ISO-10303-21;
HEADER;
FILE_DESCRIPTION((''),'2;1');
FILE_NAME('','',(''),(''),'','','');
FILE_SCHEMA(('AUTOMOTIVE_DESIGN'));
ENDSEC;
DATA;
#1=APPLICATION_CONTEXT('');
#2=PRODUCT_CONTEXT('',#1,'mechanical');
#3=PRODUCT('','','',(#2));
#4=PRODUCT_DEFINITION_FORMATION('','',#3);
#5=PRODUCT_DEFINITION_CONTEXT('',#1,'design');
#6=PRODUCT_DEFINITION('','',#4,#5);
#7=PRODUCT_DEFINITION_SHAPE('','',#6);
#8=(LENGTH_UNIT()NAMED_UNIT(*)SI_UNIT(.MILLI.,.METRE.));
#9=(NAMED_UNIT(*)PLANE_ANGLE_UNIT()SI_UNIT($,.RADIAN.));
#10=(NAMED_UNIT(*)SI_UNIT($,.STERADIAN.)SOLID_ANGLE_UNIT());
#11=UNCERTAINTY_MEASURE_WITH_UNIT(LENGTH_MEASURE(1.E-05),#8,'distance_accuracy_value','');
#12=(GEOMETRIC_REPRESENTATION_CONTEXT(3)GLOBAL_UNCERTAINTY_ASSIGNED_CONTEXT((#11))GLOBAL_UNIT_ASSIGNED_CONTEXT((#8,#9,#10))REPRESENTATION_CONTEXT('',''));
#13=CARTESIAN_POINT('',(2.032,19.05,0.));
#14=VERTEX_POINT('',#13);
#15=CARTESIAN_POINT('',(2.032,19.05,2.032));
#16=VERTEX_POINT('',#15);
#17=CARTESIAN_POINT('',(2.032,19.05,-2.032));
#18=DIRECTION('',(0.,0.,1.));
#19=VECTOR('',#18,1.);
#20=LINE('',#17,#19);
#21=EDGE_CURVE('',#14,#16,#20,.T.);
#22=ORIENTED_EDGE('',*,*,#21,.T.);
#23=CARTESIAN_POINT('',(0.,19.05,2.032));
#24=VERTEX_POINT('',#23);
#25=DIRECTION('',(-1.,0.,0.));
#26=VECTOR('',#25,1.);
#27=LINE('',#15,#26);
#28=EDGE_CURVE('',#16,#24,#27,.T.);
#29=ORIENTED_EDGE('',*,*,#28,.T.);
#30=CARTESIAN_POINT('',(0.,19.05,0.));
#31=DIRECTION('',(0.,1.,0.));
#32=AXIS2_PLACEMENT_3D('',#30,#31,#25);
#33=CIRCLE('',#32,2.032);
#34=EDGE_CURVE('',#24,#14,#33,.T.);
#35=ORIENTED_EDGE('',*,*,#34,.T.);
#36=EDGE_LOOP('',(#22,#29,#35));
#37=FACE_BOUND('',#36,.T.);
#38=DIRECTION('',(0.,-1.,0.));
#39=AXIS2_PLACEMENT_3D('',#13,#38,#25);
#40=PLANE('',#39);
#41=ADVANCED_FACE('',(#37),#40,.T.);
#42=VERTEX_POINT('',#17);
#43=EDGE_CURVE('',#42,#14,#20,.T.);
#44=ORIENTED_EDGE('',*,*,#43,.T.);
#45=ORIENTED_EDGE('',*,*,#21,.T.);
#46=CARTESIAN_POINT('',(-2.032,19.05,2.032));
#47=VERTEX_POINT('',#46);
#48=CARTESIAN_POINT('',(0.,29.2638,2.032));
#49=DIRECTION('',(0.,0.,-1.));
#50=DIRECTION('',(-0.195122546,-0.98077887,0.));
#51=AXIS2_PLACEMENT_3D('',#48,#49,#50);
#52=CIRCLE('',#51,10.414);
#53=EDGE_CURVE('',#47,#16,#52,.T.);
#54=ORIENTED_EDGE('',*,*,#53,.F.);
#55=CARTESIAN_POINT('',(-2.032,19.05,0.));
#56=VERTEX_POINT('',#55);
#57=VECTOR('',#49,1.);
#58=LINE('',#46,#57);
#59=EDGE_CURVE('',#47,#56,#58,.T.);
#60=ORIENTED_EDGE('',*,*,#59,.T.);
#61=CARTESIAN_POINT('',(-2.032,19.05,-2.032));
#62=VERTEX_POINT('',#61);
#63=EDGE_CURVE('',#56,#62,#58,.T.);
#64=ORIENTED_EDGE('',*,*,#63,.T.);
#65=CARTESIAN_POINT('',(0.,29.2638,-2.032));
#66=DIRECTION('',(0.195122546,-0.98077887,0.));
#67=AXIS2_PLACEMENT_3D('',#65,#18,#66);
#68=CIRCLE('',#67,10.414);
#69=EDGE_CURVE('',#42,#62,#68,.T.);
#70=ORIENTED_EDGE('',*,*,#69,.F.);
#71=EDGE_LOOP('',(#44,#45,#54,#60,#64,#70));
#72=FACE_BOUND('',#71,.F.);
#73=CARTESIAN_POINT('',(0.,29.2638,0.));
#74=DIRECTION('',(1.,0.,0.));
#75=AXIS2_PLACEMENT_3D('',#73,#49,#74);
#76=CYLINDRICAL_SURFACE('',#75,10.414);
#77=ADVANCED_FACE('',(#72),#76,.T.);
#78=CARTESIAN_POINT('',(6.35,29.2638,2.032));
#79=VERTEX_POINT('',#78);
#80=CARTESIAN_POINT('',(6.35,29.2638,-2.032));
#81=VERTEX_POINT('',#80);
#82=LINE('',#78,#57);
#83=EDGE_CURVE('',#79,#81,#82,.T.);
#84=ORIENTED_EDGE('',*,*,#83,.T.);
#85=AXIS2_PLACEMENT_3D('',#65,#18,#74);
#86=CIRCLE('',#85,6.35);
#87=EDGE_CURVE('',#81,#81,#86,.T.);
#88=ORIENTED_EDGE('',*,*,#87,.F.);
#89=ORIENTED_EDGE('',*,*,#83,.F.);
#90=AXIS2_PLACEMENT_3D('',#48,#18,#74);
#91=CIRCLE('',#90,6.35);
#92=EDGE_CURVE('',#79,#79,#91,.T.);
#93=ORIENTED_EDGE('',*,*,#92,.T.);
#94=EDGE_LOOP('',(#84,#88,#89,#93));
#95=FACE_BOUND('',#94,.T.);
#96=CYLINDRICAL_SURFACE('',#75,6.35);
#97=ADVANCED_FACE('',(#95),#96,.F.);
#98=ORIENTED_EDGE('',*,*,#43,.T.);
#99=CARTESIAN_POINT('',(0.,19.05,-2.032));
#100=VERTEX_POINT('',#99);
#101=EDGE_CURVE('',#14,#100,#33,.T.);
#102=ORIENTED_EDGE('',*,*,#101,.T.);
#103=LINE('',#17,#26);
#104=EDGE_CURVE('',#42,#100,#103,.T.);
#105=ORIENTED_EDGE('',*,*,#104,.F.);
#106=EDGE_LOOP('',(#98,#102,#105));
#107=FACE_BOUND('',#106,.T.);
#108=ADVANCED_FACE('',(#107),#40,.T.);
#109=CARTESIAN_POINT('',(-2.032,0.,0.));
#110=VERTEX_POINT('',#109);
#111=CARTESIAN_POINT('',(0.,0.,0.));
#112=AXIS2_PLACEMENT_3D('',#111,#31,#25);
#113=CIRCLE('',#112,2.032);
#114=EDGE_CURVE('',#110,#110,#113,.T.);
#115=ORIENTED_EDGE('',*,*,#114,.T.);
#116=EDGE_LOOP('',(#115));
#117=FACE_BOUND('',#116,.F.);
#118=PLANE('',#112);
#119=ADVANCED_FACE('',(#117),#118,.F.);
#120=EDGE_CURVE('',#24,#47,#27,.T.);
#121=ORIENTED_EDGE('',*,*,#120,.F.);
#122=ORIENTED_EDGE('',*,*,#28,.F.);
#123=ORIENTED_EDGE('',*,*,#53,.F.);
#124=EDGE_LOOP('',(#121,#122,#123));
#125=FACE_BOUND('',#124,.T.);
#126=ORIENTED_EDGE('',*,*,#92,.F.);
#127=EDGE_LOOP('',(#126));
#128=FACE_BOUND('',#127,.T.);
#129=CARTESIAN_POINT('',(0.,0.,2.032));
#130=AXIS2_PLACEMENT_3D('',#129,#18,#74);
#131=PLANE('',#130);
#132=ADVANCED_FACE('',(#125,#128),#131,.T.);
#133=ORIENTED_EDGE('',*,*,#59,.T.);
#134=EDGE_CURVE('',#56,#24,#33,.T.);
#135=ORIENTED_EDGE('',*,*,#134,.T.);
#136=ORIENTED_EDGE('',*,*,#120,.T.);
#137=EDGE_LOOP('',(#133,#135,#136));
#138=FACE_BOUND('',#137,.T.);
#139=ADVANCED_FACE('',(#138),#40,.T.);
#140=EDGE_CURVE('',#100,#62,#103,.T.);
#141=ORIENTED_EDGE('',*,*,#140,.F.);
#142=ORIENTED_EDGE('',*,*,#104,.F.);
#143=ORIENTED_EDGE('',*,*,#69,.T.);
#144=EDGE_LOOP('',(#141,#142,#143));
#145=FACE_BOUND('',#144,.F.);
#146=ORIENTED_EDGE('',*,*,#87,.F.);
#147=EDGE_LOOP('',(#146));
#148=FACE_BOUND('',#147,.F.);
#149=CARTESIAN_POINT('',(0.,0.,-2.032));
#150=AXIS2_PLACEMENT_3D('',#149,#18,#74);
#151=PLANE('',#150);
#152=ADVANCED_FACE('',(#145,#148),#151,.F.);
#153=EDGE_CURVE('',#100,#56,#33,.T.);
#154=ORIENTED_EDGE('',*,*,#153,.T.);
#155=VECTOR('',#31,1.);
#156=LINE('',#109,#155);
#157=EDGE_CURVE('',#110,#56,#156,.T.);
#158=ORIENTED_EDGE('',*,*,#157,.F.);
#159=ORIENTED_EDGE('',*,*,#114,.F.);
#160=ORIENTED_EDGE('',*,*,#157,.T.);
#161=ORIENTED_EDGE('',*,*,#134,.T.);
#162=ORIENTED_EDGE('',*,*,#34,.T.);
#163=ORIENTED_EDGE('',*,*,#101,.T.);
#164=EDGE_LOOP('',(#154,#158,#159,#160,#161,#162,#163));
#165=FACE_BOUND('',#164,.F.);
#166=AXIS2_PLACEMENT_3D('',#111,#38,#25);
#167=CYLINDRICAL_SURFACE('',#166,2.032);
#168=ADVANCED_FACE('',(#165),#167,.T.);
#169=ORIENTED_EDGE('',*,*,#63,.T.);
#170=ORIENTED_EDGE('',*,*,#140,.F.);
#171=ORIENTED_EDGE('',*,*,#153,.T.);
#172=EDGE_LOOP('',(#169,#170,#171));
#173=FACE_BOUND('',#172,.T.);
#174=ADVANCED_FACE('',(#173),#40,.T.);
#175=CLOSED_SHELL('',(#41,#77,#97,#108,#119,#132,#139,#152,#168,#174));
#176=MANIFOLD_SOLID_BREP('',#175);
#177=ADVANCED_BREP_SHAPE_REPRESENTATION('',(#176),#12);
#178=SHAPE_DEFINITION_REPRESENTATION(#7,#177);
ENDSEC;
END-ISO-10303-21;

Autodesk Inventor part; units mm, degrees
ref_plane "YZ Plane" through (0, 0, 0) normal (1, 0, 0) x (0, 1, 0)
ref_plane "XZ Plane" through (0, 0, 0) normal (0, 1, 0) x (-1, 0, 0)
ref_plane "XY Plane" through (0, 0, 0) normal (0, 0, 1) x (1, 0, 0)
sketch "Sketch1" plane through (0, 0, 0) normal (0, 1, 0) x (-1, 0, 0)
  circle A0 centre (0, 0) radius 2.032
  dimension "d0" = 4.064
extrude "Extrusion1" add sketch "Sketch1" along normal blind 19.05
sketch "Sketch2" plane through (0, 0, 0) normal (0, 0, 1) x (1, 0, 0)
  circle A0 centre (0, 29.2638) radius 6.35
  line L0 (2.032, 19.05) -> (-2.032, 19.05) projected
  circle A1 centre (0, 29.2638) radius 10.414
  point P0 (0, 0)
  dimension "d3" = 4.064
  dimension "d4" = 12.7
extrude "Extrusion2" add sketch "Sketch2" along normal mid plane 4.064 contours L0 A1 picked at (0.2551, 20.3534)
properties part number "EyeBolt"
